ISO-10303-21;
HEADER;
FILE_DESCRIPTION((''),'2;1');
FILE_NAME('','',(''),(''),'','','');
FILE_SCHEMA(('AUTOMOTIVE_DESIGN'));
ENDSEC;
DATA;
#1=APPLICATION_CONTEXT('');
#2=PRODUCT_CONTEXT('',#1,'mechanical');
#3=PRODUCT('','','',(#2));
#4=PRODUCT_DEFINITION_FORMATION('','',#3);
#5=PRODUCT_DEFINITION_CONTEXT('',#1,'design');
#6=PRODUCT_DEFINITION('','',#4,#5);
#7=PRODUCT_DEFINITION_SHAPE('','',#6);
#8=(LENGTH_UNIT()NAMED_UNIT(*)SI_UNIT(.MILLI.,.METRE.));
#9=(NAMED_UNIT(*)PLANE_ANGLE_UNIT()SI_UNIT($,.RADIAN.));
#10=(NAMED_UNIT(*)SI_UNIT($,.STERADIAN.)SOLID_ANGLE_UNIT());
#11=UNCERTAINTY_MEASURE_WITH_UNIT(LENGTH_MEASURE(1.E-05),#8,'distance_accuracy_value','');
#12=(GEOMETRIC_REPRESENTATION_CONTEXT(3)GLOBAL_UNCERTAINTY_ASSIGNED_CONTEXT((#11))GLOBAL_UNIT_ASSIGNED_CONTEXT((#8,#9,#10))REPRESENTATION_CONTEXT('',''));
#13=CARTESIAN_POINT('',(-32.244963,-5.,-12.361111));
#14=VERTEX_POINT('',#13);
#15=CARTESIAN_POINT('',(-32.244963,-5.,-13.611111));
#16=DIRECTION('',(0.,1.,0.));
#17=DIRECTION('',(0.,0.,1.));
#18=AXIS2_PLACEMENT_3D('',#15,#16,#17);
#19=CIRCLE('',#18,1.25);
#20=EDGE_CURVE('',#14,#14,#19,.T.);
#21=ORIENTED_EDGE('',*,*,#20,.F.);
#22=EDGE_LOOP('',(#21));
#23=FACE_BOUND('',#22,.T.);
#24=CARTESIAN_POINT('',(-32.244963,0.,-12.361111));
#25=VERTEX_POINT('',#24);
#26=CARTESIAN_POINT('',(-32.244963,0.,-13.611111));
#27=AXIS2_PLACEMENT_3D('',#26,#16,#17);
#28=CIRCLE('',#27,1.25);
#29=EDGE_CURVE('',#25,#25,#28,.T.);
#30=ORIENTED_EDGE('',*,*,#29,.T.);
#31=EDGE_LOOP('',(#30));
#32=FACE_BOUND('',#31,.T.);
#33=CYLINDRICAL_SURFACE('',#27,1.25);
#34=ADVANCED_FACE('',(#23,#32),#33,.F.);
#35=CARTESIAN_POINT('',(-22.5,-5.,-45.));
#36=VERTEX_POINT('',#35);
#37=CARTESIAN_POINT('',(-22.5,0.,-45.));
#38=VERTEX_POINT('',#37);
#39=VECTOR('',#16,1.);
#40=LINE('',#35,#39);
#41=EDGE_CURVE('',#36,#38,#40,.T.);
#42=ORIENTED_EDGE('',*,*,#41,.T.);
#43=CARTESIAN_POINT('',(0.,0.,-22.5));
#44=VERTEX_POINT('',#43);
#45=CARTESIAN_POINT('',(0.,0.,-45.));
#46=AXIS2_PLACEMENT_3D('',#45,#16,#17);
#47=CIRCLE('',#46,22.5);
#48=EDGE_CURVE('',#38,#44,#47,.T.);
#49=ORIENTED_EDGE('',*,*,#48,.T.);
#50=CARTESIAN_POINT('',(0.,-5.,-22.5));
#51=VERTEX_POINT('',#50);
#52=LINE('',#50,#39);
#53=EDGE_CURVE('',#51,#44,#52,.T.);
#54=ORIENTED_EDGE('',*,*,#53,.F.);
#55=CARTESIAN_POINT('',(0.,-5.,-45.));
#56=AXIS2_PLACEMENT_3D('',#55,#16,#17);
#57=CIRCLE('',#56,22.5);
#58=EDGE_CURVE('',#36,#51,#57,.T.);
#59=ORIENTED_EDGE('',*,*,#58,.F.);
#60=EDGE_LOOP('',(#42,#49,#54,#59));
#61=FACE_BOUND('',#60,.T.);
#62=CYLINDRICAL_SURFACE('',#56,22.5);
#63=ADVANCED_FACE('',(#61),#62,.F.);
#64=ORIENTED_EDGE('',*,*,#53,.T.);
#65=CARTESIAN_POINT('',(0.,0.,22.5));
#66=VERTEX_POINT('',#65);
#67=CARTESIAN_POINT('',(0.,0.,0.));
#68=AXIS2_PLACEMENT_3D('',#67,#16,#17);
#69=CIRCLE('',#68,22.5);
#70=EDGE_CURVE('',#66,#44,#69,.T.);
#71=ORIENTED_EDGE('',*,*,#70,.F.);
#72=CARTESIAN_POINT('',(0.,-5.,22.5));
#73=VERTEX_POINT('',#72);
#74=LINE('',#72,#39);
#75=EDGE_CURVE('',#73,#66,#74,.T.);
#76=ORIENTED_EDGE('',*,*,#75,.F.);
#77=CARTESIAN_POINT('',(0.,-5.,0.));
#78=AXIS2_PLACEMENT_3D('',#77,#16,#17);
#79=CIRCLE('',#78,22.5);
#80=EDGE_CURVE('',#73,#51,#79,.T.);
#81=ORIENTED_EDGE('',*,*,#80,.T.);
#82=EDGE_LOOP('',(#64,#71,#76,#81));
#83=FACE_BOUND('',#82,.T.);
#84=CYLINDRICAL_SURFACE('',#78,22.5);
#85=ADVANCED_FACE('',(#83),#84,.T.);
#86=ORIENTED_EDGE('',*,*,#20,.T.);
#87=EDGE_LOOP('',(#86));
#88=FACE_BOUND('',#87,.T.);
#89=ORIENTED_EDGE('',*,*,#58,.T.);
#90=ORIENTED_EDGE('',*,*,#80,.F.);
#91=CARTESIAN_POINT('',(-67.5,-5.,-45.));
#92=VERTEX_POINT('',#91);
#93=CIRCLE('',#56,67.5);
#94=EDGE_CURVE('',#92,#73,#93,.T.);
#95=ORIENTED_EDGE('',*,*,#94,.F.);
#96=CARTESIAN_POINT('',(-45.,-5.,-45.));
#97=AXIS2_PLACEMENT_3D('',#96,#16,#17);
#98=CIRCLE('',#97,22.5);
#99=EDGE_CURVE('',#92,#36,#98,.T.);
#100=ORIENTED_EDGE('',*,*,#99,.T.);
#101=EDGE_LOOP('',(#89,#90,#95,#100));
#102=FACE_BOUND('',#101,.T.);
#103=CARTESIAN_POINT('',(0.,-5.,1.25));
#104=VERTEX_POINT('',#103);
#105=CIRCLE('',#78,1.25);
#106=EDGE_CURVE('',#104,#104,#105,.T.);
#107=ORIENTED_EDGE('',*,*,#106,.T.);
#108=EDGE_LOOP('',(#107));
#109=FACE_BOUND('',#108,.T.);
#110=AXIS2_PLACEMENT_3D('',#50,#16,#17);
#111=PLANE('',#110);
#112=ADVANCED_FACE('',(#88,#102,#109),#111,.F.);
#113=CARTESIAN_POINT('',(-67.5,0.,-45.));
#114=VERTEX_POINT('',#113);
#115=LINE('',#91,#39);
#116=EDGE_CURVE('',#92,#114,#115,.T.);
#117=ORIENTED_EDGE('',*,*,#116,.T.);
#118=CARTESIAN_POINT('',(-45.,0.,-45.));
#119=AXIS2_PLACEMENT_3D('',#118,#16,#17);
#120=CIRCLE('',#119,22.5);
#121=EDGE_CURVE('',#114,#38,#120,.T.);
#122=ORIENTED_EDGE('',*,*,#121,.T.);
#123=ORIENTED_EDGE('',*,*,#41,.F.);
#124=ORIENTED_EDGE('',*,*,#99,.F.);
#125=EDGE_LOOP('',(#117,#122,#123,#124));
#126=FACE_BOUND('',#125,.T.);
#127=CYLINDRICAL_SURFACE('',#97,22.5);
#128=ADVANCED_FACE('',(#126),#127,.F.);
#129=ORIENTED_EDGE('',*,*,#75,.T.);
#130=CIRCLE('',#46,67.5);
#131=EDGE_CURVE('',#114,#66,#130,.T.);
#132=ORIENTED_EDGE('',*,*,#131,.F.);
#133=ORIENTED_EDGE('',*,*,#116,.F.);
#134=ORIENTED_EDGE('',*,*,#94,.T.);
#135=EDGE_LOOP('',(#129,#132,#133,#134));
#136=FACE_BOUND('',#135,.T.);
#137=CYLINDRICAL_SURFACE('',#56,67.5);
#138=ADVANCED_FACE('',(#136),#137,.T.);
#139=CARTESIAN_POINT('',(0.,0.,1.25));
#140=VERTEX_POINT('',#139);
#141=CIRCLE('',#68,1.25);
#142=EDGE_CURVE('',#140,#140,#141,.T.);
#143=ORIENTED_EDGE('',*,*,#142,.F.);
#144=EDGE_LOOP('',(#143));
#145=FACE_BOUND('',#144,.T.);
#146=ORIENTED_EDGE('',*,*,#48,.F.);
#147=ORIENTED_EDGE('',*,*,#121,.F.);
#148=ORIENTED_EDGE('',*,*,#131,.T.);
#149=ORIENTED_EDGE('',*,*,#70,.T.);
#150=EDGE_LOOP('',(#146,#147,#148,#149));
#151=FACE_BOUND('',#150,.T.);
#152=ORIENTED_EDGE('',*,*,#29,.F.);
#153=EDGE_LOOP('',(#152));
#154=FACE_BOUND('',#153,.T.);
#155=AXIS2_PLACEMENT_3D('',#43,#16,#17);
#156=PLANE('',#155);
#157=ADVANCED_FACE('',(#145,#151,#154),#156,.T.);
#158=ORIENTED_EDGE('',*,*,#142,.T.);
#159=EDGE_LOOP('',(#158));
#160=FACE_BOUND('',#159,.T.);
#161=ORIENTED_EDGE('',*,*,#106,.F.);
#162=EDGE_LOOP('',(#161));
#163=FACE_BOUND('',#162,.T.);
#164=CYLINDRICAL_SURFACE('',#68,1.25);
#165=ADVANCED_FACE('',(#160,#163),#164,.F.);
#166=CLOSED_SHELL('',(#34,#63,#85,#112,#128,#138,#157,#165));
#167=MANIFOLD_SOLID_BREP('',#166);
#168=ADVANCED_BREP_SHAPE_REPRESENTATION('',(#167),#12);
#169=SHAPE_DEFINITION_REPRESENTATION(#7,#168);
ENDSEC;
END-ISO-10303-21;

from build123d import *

# Parameters (mm, degrees)
EXTRUDE_1_DEPTH    = 5
HOLE_WIZARD_M3_1_D = 2.5


with BuildPart() as part:
    # 草圖1 → 填料-伸長1 (new body)
    with BuildSketch(Plane(origin=(0, 0, 0), x_dir=(1, 0, 0), z_dir=(0, 1, 0))):
        with BuildLine():
            ThreePointArc((-67.5, 45), (-47.72970773, -2.72970773), (0, -22.5))
            ThreePointArc((0, -22.5), (22.5, 0), (0, 22.5))
            ThreePointArc((0, 22.5), (-15.909902577, 29.090097423), (-22.5, 45))
            ThreePointArc((-22.5, 45), (-45, 22.5), (-67.5, 45))
        make_face()
    extrude(amount=-EXTRUDE_1_DEPTH)

    # M3 螺紋孔1 (through all)
    with Locations(Plane(origin=(0, 0, 0), x_dir=(1, 0, 0), z_dir=(0, 1, 0))):
        with Locations((-32.24496324, 13.611111111), (0, 0)):
            Hole(HOLE_WIZARD_M3_1_D / 2)


solid = part.part
